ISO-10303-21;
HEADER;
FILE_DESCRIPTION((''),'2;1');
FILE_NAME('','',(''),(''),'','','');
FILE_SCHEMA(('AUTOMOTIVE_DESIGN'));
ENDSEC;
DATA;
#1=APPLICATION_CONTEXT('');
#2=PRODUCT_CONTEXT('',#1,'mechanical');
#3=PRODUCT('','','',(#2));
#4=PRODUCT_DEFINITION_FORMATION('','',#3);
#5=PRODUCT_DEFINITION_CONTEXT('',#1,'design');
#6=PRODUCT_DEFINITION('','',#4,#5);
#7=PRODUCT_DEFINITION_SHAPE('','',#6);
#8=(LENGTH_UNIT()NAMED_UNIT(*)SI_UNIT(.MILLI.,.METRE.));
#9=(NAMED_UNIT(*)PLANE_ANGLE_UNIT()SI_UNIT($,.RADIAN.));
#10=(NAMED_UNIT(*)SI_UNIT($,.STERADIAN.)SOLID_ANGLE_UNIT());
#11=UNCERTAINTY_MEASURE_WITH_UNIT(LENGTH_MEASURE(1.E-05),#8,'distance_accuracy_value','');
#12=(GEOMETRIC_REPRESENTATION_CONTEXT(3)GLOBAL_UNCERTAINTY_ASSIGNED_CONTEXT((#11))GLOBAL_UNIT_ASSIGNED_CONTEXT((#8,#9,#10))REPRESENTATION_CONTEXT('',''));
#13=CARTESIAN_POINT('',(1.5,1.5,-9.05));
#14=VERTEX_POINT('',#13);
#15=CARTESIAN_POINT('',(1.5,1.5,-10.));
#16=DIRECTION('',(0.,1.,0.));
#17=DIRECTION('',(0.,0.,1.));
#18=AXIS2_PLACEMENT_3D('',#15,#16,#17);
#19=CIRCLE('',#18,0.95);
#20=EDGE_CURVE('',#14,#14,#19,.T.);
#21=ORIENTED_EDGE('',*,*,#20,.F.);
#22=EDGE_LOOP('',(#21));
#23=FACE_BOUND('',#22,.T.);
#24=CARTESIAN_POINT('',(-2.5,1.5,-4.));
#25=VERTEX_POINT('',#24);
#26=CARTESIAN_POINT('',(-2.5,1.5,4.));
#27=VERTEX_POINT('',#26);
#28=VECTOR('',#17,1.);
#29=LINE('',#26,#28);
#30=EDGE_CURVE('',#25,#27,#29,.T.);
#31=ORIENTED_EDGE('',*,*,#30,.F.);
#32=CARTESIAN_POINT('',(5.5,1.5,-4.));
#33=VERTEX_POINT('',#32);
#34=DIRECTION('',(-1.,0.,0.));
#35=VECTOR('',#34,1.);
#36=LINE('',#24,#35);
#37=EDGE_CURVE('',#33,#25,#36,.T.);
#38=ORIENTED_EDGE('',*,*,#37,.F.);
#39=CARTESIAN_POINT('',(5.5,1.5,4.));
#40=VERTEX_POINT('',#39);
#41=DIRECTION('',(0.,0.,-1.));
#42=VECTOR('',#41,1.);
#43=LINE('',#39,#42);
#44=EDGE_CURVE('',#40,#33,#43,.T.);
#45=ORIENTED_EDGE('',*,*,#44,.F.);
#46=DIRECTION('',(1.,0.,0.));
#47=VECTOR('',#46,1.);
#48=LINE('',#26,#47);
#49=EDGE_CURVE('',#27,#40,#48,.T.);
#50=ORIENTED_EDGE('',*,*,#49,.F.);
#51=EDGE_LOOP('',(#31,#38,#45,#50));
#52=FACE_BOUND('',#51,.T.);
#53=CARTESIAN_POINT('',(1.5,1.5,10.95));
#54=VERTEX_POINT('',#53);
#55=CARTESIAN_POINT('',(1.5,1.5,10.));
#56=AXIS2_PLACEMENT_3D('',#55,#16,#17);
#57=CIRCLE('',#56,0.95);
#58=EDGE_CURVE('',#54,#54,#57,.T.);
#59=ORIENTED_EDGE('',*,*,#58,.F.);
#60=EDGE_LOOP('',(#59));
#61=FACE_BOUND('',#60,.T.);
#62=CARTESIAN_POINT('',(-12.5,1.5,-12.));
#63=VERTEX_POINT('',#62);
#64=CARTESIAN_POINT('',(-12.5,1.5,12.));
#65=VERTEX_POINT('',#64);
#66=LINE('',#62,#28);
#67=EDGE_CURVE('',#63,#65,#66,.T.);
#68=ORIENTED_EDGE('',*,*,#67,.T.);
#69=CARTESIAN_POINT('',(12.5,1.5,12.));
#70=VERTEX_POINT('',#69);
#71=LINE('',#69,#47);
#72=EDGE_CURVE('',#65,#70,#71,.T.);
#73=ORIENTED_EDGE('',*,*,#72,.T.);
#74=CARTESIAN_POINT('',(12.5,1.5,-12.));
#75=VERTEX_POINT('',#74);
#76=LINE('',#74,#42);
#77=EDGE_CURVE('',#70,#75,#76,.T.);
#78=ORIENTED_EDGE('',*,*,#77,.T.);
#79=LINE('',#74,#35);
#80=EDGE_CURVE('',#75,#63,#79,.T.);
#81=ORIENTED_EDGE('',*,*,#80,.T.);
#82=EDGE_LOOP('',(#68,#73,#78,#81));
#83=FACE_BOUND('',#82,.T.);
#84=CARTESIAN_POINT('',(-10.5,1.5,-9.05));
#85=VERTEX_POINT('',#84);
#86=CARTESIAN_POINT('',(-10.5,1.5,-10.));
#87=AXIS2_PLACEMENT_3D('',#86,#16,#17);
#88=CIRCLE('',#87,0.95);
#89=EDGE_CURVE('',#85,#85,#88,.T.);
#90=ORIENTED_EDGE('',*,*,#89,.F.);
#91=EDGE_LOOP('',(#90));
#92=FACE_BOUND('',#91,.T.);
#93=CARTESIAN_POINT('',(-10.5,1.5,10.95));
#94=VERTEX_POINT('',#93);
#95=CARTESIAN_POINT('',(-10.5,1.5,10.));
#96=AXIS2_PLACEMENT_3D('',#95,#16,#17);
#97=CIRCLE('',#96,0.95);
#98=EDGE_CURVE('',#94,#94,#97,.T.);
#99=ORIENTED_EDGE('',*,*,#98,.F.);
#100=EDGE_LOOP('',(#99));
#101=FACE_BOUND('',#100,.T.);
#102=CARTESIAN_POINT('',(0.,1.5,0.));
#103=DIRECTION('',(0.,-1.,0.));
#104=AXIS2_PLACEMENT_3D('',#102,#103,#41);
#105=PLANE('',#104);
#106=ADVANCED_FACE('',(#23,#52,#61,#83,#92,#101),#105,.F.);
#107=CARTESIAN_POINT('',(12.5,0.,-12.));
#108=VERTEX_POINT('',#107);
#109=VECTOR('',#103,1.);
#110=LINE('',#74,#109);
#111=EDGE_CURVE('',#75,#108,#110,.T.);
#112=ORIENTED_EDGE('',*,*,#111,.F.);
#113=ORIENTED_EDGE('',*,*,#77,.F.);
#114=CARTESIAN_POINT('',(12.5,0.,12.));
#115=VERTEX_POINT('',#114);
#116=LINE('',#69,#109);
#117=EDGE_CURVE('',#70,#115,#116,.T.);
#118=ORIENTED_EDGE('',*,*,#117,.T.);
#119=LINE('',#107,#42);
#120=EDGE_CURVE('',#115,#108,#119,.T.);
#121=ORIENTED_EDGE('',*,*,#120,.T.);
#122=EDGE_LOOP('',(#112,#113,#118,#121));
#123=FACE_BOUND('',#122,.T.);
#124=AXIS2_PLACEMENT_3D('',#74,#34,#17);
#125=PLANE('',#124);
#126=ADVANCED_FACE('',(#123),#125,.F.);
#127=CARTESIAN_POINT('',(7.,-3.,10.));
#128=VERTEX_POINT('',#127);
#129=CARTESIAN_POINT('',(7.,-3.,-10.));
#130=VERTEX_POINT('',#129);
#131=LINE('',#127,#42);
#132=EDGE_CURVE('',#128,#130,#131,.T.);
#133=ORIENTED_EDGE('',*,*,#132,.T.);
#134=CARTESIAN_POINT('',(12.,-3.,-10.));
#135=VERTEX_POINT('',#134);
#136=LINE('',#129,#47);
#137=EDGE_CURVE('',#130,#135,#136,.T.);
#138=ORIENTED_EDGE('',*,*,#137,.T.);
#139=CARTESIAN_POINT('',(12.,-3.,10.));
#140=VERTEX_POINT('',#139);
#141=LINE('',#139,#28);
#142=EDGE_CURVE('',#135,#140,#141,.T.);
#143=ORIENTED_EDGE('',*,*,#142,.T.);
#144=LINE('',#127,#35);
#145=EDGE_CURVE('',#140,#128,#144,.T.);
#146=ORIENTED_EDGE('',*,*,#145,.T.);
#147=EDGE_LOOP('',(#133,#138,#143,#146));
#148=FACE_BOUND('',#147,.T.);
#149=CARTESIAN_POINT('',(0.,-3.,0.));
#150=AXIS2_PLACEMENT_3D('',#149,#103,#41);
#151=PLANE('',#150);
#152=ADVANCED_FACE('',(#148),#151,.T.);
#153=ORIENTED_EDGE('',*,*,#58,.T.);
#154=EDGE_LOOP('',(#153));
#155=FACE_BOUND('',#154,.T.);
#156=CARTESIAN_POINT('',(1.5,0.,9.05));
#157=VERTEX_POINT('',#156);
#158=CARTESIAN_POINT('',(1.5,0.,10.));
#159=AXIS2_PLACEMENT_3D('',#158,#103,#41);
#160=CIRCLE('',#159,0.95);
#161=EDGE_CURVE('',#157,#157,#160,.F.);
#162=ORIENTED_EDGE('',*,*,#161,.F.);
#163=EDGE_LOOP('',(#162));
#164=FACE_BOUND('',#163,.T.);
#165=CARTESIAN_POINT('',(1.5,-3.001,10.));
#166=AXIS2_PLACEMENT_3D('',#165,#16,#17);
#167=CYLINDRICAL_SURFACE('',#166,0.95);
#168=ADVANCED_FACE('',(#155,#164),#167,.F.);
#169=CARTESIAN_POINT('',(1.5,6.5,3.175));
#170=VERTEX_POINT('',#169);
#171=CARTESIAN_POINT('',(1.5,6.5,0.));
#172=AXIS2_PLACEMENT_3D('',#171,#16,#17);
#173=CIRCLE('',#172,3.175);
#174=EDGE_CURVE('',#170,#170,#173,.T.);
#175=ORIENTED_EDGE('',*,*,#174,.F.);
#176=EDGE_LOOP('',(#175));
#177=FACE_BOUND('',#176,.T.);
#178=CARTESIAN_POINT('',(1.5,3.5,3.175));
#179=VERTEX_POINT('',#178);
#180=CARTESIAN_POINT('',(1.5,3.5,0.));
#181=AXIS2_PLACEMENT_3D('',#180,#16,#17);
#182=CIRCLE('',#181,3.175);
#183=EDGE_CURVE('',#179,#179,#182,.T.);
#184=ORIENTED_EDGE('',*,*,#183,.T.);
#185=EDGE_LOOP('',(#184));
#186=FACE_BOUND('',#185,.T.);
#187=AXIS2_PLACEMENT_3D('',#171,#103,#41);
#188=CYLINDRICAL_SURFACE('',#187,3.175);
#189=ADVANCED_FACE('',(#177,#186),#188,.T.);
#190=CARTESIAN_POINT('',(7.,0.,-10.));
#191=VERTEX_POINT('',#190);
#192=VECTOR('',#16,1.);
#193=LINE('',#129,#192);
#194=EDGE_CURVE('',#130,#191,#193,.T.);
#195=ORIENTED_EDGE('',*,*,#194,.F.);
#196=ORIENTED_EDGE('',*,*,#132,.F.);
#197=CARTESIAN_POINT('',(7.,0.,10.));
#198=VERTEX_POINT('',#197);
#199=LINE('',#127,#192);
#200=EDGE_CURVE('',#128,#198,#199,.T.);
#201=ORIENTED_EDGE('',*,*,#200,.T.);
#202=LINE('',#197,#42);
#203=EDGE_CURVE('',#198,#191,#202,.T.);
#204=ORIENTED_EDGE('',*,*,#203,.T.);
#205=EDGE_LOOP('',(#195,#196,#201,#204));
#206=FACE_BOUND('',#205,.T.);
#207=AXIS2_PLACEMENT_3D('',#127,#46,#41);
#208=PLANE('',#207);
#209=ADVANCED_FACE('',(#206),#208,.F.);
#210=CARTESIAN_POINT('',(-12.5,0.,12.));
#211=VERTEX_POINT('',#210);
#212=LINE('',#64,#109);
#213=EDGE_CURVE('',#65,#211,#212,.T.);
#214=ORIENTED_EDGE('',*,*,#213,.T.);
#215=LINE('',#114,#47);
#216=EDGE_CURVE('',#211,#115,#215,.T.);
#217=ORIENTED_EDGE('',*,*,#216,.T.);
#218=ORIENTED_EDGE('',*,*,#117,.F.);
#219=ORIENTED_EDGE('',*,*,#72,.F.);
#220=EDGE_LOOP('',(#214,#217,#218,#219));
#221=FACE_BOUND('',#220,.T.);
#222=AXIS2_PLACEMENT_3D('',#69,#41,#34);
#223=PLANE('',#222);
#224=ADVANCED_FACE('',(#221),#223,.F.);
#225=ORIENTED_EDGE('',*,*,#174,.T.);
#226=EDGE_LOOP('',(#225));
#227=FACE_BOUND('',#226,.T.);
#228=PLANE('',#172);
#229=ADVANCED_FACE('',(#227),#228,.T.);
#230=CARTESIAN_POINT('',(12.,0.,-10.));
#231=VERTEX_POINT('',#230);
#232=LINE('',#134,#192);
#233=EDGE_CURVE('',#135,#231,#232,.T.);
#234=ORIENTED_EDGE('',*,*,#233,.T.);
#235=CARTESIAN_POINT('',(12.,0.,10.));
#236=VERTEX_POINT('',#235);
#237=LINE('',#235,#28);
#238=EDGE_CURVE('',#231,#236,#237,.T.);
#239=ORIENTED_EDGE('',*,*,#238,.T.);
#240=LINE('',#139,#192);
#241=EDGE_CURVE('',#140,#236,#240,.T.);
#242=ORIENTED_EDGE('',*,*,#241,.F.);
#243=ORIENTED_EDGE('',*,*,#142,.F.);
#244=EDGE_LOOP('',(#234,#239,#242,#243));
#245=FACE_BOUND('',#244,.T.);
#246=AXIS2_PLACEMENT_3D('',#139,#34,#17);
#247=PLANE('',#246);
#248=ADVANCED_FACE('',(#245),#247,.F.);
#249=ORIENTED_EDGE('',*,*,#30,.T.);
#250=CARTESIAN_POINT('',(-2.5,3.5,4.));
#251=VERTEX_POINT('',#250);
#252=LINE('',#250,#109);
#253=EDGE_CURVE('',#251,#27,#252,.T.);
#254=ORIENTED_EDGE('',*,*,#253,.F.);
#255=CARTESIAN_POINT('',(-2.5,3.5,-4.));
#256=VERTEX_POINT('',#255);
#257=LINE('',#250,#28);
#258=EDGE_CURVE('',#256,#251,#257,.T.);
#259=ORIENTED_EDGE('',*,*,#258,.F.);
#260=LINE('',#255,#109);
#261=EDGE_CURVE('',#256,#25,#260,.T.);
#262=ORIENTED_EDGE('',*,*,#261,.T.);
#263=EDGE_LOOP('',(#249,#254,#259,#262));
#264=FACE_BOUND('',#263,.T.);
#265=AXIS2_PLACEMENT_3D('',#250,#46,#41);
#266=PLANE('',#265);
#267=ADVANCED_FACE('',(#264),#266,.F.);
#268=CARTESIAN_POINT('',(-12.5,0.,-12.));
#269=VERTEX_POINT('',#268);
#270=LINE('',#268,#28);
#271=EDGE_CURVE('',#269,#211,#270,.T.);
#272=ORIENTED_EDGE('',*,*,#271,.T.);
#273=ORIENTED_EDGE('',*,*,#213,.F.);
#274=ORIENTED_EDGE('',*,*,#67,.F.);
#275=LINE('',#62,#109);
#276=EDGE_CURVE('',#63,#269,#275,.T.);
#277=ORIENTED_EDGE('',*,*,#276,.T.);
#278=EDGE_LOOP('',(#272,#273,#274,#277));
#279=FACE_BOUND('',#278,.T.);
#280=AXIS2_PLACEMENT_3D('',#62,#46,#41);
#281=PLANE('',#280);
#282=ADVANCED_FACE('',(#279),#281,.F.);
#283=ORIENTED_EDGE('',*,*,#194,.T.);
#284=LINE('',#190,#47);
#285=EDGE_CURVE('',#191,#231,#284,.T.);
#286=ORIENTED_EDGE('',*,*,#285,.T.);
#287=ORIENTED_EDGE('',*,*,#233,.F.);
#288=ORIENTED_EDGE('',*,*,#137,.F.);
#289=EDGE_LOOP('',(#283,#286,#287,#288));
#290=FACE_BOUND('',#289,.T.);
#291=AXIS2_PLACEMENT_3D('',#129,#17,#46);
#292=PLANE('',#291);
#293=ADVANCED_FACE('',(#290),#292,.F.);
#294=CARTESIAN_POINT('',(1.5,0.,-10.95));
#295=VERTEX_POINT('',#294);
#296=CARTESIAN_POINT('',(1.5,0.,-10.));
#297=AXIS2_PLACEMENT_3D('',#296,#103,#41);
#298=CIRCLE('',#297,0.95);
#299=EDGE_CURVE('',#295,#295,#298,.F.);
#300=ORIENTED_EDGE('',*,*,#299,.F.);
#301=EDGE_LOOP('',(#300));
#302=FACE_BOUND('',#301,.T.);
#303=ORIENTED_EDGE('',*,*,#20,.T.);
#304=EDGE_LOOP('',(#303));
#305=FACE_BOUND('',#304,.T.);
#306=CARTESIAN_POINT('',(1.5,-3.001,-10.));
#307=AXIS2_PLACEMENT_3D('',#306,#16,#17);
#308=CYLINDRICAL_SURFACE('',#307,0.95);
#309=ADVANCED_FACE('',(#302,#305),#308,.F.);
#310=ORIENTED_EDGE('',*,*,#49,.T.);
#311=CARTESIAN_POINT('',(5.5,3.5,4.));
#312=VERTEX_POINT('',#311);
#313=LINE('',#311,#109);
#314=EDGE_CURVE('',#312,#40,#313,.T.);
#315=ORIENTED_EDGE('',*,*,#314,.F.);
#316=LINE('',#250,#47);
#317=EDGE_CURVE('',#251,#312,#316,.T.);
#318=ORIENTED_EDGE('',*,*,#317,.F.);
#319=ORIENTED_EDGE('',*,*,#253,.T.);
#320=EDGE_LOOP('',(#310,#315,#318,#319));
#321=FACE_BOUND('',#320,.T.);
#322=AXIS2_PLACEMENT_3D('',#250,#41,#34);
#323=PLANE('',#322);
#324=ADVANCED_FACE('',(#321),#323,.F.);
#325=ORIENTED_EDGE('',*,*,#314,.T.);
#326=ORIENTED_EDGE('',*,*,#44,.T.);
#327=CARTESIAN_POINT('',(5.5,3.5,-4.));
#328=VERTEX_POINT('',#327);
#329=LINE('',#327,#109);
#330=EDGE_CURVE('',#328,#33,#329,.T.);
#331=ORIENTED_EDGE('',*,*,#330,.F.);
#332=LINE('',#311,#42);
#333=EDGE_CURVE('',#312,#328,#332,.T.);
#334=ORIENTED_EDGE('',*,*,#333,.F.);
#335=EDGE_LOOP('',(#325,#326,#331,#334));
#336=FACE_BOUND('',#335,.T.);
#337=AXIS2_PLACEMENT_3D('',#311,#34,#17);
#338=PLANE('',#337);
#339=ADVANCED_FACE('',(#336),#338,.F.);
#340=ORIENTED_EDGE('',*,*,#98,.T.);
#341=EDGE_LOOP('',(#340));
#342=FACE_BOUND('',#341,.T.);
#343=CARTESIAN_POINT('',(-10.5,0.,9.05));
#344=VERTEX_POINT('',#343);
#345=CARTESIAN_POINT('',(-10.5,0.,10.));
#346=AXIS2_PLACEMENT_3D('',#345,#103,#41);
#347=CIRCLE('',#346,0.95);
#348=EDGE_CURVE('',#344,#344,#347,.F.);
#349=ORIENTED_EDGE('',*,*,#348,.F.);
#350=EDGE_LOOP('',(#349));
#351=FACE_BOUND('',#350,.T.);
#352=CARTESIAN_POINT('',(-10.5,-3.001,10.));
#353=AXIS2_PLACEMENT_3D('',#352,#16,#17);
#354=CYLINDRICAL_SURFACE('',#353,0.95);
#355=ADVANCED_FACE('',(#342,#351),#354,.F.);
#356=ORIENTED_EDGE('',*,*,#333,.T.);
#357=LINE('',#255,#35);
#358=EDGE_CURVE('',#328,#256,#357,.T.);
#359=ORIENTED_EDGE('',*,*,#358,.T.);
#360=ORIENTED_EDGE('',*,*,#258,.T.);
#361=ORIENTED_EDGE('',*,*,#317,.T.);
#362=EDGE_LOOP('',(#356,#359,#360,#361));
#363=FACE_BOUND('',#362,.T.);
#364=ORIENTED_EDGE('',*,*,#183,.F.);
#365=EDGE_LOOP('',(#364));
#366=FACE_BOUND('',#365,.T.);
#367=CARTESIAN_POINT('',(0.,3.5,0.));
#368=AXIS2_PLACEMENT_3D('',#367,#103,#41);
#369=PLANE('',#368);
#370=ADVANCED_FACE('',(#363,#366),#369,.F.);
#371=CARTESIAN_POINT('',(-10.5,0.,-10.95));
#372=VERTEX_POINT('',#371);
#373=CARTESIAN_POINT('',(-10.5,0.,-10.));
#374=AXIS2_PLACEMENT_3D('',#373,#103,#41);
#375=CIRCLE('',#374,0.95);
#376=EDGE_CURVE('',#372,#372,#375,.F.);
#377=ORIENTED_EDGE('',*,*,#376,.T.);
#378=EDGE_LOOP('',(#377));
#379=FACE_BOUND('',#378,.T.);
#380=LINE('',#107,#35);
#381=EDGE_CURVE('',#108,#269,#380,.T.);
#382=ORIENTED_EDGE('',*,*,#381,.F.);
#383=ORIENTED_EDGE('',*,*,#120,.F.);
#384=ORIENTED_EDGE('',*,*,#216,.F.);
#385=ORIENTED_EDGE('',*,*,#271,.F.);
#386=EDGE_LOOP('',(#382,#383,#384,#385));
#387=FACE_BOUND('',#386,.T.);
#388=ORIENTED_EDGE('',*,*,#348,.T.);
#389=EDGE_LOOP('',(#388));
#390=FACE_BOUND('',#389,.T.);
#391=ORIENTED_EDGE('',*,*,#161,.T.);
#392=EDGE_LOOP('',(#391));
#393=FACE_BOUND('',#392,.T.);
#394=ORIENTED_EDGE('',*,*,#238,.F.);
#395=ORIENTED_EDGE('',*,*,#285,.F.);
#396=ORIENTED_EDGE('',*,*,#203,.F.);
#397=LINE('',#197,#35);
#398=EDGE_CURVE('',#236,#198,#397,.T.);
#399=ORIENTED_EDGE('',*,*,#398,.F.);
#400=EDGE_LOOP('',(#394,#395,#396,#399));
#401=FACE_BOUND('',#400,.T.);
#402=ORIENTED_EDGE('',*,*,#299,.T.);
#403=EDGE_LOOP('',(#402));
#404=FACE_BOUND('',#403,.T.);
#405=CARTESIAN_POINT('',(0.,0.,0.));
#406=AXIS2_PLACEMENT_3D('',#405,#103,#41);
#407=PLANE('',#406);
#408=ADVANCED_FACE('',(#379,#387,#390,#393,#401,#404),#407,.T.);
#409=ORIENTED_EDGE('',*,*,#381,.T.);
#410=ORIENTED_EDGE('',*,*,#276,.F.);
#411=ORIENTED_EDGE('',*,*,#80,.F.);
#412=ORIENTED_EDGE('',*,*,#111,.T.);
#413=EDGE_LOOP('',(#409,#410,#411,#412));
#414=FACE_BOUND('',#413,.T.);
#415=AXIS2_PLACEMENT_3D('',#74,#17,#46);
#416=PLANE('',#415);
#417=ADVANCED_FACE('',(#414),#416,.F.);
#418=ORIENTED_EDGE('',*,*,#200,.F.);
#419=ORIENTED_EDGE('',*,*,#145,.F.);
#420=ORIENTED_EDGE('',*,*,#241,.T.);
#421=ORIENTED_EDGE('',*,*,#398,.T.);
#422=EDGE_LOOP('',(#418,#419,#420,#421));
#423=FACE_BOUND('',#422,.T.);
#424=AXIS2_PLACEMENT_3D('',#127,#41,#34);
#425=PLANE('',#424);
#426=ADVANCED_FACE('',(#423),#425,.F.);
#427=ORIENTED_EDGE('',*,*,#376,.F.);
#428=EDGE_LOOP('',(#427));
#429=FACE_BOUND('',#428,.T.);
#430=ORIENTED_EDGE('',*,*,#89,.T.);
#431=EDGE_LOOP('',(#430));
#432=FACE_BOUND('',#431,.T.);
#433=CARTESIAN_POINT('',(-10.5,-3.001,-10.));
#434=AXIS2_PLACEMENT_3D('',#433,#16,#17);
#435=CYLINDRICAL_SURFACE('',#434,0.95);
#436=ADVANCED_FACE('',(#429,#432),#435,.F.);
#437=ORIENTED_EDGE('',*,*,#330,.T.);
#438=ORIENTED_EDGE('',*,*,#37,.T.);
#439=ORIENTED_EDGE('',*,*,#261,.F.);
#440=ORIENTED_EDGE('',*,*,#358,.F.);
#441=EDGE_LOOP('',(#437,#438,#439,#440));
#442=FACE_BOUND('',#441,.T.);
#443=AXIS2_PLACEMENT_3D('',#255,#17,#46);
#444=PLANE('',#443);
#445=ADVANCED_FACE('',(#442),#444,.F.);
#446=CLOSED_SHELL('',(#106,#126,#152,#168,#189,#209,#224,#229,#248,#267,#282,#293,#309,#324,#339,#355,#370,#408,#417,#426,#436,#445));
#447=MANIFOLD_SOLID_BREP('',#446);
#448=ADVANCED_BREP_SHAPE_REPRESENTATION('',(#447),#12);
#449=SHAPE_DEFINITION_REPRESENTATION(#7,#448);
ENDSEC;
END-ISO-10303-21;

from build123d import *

# Parameters (mm, degrees)
SKETCH1_W           = 25
SKETCH1_H           = 24
BOSS_EXTRUDE1_DEPTH = 1.5
SKETCH2_W           = 8
SKETCH2_H           = 8
BOSS_EXTRUDE2_DEPTH = 2
SKETCH3_R           = 3.175
BOSS_EXTRUDE3_DEPTH = 3
SKETCH5_W           = 5
SKETCH5_H           = 20
BOSS_EXTRUDE4_DEPTH = 3
CUT_EXTRUDE1_REACH  = 20.035
SKETCH6_R           = 0.95


with BuildPart() as part:
    # Sketch1 → Boss-Extrude1 (new body)
    with BuildSketch(Plane(origin=(0, 0, 0), x_dir=(1, 0, 0), z_dir=(0, 1, 0))):
        Rectangle(SKETCH1_W, SKETCH1_H)
    extrude(amount=BOSS_EXTRUDE1_DEPTH)

    # Sketch2 → Boss-Extrude2 (add)
    with BuildSketch(Plane(origin=(0, 1.5, 0), x_dir=(1, 0, 0), z_dir=(0, 1, 0))):
        with Locations((1.5, 0)):
            Rectangle(SKETCH2_W, SKETCH2_H)
    extrude(amount=BOSS_EXTRUDE2_DEPTH)

    # Sketch3 → Boss-Extrude3 (add)
    with BuildSketch(Plane(origin=(0, 3.5, 0), x_dir=(1, 0, 0), z_dir=(0, 1, 0))):
        with Locations(Location((1.5, 0, 0), (0, 0, 270))):
            Circle(SKETCH3_R)
    extrude(amount=BOSS_EXTRUDE3_DEPTH)

    # Sketch5 → Boss-Extrude4 (add)
    with BuildSketch(Plane.XZ):
        with Locations((9.5, 0)):
            Rectangle(SKETCH5_W, SKETCH5_H)
    extrude(amount=BOSS_EXTRUDE4_DEPTH)

    # Sketch6 → Cut-Extrude1 (cut, up to next)
    with BuildSketch(Plane(origin=(0, 1.5, 0), x_dir=(1, 0, 0), z_dir=(0, 1, 0)), mode=Mode.PRIVATE) as cut_extrude1_sk1:
        with Locations(Location((-10.5, 10, 0), (0, 0, 270))):
            Circle(SKETCH6_R)
    cut_extrude1_tool1 = extrude(cut_extrude1_sk1.sketch, amount=-CUT_EXTRUDE1_REACH, mode=Mode.PRIVATE) & part.part
    # Sketch6 → Cut-Extrude1 (cut, up to next)
    with BuildSketch(Plane(origin=(0, 1.5, 0), x_dir=(1, 0, 0), z_dir=(0, 1, 0)), mode=Mode.PRIVATE) as cut_extrude1_sk2:
        with Locations(Location((1.5, 10, 0), (0, 0, 270))):
            Circle(SKETCH6_R)
    cut_extrude1_tool2 = extrude(cut_extrude1_sk2.sketch, amount=-CUT_EXTRUDE1_REACH, mode=Mode.PRIVATE) & part.part
    # Sketch6 → Cut-Extrude1 (cut, up to next)
    with BuildSketch(Plane(origin=(0, 1.5, 0), x_dir=(1, 0, 0), z_dir=(0, 1, 0)), mode=Mode.PRIVATE) as cut_extrude1_sk3:
        with Locations(Location((-10.5, -10, 0), (0, 0, 270))):
            Circle(SKETCH6_R)
    cut_extrude1_tool3 = extrude(cut_extrude1_sk3.sketch, amount=-CUT_EXTRUDE1_REACH, mode=Mode.PRIVATE) & part.part
    # Sketch6 → Cut-Extrude1 (cut, up to next)
    with BuildSketch(Plane(origin=(0, 1.5, 0), x_dir=(1, 0, 0), z_dir=(0, 1, 0)), mode=Mode.PRIVATE) as cut_extrude1_sk4:
        with Locations(Location((1.5, -10, 0), (0, 0, 270))):
            Circle(SKETCH6_R)
    cut_extrude1_tool4 = extrude(cut_extrude1_sk4.sketch, amount=-CUT_EXTRUDE1_REACH, mode=Mode.PRIVATE) & part.part
    add(cut_extrude1_tool1.solids().sort_by_distance((-10.5, 1.5, -10))[0], mode=Mode.SUBTRACT)
    add(cut_extrude1_tool2.solids().sort_by_distance((1.5, 1.5, -10))[0], mode=Mode.SUBTRACT)
    add(cut_extrude1_tool3.solids().sort_by_distance((-10.5, 1.5, 10))[0], mode=Mode.SUBTRACT)
    add(cut_extrude1_tool4.solids().sort_by_distance((1.5, 1.5, 10))[0], mode=Mode.SUBTRACT)


solid = part.part
